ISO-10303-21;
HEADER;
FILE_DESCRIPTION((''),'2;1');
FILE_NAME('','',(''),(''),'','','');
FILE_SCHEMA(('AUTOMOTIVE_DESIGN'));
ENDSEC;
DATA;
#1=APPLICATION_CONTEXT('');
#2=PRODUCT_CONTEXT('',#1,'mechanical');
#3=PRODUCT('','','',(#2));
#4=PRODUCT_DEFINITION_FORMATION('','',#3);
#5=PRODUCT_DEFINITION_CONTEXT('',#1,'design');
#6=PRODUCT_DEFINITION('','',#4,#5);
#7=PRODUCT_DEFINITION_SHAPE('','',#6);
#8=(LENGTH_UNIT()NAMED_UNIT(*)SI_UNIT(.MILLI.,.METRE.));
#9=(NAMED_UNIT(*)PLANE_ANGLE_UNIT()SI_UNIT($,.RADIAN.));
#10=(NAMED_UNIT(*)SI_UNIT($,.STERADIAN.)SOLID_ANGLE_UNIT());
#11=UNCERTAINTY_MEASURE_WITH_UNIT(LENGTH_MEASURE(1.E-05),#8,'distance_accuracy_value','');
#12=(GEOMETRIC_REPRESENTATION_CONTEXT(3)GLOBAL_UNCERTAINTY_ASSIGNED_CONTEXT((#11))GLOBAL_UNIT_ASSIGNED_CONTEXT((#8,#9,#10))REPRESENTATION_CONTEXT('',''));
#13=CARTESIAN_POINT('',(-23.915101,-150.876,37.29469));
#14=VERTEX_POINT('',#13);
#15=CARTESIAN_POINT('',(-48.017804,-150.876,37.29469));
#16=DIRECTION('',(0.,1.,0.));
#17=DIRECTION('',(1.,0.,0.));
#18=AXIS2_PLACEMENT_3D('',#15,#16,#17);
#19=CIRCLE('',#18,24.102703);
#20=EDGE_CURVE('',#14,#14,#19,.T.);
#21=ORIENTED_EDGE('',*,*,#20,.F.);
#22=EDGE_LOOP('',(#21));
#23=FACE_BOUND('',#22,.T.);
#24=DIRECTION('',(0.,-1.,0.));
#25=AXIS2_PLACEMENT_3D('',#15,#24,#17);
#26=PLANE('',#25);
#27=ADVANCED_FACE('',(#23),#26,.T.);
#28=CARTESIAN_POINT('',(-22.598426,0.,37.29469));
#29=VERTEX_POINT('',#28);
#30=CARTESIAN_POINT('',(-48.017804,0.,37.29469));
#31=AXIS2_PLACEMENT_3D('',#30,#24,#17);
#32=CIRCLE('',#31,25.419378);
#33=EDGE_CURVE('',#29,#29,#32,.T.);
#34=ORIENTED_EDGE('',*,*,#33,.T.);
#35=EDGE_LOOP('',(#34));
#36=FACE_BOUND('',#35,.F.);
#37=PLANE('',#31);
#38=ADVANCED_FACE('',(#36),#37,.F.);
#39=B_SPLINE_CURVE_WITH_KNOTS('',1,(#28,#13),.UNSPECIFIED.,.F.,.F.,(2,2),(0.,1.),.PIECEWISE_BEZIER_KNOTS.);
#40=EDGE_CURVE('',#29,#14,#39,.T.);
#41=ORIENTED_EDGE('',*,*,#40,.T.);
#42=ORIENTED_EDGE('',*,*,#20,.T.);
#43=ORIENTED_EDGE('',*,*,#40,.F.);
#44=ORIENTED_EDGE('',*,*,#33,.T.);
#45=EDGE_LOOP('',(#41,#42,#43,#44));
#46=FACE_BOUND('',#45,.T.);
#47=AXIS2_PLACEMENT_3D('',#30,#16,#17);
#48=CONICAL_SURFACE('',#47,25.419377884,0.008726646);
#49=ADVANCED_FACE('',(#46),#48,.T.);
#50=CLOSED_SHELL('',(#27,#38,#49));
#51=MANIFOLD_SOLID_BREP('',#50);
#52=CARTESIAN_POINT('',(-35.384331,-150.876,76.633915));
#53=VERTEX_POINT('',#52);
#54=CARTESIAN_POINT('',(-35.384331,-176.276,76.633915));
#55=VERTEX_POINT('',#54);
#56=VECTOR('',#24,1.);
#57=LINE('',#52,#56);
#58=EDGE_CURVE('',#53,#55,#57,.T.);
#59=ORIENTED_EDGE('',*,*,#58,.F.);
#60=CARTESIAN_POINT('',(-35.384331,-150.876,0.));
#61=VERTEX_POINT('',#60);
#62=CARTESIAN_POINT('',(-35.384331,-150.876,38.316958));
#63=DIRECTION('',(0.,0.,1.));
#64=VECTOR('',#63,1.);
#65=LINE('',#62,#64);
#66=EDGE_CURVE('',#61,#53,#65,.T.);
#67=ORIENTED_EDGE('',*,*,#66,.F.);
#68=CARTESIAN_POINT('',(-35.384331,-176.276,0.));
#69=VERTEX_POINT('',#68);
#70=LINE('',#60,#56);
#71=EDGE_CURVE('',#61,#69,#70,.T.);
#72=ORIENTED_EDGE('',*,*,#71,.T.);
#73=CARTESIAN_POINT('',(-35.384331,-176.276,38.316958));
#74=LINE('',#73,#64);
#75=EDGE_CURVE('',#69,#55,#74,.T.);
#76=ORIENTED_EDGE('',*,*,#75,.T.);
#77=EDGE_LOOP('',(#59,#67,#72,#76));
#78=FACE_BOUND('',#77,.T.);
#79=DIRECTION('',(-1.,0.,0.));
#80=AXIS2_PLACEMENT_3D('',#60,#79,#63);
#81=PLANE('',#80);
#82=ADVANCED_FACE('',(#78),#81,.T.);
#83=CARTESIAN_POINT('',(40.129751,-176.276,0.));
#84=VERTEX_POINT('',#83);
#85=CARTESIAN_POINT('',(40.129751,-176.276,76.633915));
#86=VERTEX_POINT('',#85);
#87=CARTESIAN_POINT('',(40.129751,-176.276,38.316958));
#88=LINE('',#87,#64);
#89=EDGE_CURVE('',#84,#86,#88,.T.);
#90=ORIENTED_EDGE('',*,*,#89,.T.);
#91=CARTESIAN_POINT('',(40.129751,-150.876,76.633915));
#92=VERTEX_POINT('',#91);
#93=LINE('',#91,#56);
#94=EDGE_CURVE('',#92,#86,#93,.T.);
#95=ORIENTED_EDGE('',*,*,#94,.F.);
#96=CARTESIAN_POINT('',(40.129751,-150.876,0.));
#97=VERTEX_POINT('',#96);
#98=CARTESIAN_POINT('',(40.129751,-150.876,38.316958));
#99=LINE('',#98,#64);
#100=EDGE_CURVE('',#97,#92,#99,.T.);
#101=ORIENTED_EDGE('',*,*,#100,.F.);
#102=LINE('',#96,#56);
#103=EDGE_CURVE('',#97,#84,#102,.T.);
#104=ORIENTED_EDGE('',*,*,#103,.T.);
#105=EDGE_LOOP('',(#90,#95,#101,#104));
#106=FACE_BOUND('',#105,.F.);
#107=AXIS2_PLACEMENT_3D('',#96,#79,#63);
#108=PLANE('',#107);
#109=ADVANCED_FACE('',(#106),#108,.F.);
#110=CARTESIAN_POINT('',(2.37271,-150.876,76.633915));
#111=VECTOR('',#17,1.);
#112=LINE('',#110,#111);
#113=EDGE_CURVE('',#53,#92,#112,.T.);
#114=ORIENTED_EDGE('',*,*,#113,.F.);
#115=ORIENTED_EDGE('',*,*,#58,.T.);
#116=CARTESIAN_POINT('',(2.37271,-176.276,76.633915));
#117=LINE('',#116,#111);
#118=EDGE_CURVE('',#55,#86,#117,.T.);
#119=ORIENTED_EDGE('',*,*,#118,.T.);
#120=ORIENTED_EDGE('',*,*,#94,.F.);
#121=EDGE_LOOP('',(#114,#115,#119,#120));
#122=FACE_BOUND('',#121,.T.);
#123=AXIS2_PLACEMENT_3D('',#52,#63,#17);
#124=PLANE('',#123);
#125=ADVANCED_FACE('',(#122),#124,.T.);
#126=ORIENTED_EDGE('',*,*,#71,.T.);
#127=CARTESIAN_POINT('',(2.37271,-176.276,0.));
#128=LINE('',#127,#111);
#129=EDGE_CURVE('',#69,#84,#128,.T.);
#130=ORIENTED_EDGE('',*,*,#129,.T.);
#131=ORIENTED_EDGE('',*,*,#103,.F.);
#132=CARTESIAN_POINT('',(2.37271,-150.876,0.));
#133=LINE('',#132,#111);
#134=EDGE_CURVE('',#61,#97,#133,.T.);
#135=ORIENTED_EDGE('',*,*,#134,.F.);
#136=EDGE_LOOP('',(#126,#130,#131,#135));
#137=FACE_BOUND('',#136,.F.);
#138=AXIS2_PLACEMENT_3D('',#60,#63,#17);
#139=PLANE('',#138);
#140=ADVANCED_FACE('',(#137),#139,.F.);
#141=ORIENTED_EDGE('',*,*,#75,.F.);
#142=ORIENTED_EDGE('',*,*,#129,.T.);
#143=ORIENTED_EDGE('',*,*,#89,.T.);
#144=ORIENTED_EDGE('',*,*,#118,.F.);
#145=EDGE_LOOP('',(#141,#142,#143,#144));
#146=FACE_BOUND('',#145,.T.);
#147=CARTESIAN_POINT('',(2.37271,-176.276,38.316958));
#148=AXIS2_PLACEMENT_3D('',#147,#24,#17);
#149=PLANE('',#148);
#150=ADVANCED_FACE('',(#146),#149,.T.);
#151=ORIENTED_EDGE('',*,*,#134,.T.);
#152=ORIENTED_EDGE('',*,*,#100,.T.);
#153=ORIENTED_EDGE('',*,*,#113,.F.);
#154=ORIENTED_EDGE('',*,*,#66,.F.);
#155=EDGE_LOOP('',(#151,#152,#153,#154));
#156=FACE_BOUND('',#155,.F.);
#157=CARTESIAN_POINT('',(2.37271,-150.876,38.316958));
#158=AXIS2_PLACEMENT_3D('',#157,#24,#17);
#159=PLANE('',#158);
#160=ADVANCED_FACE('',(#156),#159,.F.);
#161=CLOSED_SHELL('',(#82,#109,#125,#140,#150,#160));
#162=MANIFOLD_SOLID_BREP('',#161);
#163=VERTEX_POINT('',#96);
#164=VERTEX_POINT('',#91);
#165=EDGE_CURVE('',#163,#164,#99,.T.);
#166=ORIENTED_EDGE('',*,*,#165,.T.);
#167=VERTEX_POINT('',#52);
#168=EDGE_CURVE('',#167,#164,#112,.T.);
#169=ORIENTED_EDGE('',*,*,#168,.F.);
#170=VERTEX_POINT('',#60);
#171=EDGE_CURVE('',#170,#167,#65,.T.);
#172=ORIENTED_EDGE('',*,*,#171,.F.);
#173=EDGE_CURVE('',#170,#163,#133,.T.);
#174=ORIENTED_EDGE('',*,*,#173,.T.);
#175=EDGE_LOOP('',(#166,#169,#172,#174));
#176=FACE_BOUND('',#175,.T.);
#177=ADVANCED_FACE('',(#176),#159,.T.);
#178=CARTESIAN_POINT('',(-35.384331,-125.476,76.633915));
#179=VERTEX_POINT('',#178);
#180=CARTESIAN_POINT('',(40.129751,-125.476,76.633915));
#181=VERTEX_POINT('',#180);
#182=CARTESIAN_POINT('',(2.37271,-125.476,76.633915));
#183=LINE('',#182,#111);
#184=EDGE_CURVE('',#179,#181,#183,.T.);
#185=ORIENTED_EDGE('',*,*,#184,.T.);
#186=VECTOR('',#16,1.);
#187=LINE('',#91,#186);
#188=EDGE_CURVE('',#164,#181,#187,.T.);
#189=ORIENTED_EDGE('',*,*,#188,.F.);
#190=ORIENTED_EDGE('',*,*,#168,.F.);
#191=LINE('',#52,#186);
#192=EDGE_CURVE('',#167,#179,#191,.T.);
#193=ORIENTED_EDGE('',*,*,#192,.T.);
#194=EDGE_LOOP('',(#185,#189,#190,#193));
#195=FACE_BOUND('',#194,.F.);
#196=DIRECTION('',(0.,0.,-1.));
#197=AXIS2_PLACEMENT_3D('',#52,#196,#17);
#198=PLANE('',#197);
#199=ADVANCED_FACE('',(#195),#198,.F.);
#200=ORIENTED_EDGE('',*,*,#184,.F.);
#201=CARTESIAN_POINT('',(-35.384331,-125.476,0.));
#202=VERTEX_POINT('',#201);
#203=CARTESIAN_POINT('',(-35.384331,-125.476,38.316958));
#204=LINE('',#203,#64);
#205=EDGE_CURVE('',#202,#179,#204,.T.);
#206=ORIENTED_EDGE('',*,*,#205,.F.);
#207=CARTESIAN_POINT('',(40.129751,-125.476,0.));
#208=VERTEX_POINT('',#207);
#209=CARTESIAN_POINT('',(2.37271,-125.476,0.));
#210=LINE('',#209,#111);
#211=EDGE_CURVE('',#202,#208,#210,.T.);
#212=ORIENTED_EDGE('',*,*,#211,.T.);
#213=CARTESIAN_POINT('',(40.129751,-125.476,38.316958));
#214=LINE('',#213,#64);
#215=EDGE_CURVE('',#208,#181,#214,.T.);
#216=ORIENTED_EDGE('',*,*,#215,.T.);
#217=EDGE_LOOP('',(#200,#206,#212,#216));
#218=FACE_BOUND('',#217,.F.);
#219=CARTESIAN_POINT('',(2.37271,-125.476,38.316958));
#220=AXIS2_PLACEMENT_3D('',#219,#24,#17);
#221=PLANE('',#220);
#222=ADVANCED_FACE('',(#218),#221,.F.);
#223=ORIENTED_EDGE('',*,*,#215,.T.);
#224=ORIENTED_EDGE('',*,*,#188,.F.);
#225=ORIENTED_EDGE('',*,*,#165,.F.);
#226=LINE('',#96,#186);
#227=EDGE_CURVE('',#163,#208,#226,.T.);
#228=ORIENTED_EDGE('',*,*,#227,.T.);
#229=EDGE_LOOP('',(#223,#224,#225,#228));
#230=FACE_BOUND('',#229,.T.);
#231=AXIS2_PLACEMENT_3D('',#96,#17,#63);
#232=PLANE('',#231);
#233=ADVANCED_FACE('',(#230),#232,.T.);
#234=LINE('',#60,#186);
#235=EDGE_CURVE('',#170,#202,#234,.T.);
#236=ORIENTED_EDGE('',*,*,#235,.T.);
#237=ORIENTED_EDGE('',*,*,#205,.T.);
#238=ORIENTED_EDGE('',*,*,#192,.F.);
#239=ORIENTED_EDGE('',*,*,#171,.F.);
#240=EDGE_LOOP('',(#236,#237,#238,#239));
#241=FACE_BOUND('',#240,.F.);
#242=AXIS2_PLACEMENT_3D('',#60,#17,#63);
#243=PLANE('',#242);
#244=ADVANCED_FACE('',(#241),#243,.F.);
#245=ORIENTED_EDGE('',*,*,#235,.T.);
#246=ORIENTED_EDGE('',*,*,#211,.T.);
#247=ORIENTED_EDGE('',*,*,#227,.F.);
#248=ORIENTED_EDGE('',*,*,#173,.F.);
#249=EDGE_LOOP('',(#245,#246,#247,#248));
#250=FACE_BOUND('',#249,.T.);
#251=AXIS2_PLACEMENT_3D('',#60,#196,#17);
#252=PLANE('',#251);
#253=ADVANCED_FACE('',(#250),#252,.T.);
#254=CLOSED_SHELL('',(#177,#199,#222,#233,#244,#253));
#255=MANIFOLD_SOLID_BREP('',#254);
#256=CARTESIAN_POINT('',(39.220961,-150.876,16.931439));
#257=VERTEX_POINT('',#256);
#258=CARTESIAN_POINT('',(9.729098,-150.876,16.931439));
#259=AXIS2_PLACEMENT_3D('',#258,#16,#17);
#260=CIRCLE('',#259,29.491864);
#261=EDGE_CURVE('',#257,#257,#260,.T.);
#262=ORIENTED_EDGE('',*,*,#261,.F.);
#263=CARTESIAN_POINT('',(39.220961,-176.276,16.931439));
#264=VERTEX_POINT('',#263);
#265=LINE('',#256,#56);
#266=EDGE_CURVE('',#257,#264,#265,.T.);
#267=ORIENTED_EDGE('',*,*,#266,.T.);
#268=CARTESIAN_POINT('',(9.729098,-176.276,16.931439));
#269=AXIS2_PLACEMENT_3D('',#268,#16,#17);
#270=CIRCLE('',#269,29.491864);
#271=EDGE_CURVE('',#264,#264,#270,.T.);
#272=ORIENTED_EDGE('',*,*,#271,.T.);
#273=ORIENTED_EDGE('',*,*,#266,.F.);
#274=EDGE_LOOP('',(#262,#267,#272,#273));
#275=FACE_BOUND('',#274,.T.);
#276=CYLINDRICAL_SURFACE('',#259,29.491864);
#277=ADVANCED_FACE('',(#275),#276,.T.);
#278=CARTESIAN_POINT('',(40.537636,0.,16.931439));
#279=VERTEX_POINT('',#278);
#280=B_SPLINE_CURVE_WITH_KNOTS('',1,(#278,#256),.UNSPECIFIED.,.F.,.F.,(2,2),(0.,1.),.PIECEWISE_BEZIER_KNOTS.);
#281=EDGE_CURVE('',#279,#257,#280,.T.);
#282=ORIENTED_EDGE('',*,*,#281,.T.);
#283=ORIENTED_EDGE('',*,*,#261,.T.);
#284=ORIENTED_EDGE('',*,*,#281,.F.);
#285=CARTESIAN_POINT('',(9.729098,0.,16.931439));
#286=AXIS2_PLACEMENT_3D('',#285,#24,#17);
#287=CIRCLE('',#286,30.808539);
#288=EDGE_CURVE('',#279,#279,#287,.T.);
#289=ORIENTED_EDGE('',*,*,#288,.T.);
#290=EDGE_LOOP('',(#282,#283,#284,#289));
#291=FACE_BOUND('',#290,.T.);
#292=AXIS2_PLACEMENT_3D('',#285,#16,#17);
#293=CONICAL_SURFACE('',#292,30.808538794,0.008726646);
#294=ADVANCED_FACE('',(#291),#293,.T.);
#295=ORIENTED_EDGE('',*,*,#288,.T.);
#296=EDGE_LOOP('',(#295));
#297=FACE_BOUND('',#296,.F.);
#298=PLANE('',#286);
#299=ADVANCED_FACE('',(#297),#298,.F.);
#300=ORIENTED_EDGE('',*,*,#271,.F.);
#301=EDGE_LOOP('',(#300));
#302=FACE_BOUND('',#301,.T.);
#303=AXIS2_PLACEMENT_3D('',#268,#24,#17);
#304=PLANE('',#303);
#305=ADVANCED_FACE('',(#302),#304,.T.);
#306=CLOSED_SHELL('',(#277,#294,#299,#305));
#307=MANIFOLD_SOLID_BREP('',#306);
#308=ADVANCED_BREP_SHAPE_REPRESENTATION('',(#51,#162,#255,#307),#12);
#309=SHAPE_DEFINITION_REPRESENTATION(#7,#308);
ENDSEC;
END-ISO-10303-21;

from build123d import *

# Parameters (mm, degrees)
F0_R     = 25.4193778843
F1_DEPTH = 150.876
F1_TAPER = 0.5
F0_R_2   = 30.8085387938
F2_DEPTH = 25.4
F3_W     = 75.5140818655
F3_H     = 76.6339153051
F4_DEPTH = 25.4
F5_DEPTH = 25.4


with BuildPart() as f1:
    # F0 (on Front) → F1 (new body)
    with BuildSketch(Plane.XZ):
        with Locations((-48.0178035796, 37.2946895659)):
            Circle(F0_R)
    extrude(amount=F1_DEPTH, taper=F1_TAPER)


with BuildPart() as f1b:
    # F0 (on Front) → F1, piece 2 (new body)
    with BuildSketch(Plane.XZ):
        with Locations((9.7290975973, 16.9314388186)):
            Circle(F0_R_2)
    extrude(amount=F1_DEPTH, taper=F1_TAPER)

    # F2 (add): a face of the model
    f2_faces = [f1b.faces().sort_by_distance(p)[0] for p in [
        (9.7290975973, -150.876, 16.9314388186),
    ]]
    extrude(f2_faces, amount=F2_DEPTH)


with BuildPart() as f4:
    # F3 (on face) → F4 (new body)
    with BuildSketch(Plane.XZ.offset(150.876)):
        with Locations((2.3727100343, 38.3169576526)):
            Rectangle(F3_W, F3_H)
    extrude(amount=F4_DEPTH)


with BuildPart() as f5:
    # F5 (new): a face of the model
    f5_faces = [f4.part.faces().sort_by_distance(p)[0] for p in [
        (2.3727100343, -150.876, 38.3169576526),
    ]]
    extrude(f5_faces, amount=F5_DEPTH)


solid = Compound([f1.part, f1b.part, f4.part, f5.part])
